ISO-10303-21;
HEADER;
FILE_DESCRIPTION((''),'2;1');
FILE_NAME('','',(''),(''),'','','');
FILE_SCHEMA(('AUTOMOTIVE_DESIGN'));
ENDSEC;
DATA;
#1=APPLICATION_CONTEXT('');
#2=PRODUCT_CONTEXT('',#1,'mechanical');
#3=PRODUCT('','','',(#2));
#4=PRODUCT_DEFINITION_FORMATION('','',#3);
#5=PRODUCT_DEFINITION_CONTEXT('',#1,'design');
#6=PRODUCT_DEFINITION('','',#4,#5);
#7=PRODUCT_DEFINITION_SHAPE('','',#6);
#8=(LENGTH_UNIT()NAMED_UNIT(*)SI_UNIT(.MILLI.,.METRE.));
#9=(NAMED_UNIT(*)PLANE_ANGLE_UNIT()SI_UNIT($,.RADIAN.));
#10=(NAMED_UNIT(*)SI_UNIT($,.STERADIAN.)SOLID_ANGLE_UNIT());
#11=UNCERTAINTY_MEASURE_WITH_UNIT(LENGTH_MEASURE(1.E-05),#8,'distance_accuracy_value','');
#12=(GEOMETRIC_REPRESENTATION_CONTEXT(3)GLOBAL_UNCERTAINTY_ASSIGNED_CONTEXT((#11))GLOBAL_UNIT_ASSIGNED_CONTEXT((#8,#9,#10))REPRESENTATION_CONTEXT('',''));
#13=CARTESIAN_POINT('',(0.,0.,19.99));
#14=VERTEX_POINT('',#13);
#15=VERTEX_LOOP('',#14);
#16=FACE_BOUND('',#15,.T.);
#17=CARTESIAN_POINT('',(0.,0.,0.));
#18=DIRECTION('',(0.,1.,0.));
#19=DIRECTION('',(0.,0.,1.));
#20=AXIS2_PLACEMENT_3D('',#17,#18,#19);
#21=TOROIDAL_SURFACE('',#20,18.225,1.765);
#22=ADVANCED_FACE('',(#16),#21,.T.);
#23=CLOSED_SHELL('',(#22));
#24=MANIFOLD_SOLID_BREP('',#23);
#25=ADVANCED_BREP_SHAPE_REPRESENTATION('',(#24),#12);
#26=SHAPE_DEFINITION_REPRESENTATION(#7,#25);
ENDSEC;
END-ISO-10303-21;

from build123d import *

# Parameters (mm, degrees)
IZIM1_R = 1.765


with BuildPart() as part:
    # Çizim1 → Döndür1 (revolve)
    with BuildSketch(Plane.XY, mode=Mode.PRIVATE) as d_nd_r1_sk:
        with Locations((-18.225, 0)):
            Circle(IZIM1_R)
    revolve(d_nd_r1_sk.sketch.rotate(Axis((0, 0, 0), (0, -1, 0)), 270), axis=Axis((0, 0, 0), (0, -1, 0)))


solid = part.part
